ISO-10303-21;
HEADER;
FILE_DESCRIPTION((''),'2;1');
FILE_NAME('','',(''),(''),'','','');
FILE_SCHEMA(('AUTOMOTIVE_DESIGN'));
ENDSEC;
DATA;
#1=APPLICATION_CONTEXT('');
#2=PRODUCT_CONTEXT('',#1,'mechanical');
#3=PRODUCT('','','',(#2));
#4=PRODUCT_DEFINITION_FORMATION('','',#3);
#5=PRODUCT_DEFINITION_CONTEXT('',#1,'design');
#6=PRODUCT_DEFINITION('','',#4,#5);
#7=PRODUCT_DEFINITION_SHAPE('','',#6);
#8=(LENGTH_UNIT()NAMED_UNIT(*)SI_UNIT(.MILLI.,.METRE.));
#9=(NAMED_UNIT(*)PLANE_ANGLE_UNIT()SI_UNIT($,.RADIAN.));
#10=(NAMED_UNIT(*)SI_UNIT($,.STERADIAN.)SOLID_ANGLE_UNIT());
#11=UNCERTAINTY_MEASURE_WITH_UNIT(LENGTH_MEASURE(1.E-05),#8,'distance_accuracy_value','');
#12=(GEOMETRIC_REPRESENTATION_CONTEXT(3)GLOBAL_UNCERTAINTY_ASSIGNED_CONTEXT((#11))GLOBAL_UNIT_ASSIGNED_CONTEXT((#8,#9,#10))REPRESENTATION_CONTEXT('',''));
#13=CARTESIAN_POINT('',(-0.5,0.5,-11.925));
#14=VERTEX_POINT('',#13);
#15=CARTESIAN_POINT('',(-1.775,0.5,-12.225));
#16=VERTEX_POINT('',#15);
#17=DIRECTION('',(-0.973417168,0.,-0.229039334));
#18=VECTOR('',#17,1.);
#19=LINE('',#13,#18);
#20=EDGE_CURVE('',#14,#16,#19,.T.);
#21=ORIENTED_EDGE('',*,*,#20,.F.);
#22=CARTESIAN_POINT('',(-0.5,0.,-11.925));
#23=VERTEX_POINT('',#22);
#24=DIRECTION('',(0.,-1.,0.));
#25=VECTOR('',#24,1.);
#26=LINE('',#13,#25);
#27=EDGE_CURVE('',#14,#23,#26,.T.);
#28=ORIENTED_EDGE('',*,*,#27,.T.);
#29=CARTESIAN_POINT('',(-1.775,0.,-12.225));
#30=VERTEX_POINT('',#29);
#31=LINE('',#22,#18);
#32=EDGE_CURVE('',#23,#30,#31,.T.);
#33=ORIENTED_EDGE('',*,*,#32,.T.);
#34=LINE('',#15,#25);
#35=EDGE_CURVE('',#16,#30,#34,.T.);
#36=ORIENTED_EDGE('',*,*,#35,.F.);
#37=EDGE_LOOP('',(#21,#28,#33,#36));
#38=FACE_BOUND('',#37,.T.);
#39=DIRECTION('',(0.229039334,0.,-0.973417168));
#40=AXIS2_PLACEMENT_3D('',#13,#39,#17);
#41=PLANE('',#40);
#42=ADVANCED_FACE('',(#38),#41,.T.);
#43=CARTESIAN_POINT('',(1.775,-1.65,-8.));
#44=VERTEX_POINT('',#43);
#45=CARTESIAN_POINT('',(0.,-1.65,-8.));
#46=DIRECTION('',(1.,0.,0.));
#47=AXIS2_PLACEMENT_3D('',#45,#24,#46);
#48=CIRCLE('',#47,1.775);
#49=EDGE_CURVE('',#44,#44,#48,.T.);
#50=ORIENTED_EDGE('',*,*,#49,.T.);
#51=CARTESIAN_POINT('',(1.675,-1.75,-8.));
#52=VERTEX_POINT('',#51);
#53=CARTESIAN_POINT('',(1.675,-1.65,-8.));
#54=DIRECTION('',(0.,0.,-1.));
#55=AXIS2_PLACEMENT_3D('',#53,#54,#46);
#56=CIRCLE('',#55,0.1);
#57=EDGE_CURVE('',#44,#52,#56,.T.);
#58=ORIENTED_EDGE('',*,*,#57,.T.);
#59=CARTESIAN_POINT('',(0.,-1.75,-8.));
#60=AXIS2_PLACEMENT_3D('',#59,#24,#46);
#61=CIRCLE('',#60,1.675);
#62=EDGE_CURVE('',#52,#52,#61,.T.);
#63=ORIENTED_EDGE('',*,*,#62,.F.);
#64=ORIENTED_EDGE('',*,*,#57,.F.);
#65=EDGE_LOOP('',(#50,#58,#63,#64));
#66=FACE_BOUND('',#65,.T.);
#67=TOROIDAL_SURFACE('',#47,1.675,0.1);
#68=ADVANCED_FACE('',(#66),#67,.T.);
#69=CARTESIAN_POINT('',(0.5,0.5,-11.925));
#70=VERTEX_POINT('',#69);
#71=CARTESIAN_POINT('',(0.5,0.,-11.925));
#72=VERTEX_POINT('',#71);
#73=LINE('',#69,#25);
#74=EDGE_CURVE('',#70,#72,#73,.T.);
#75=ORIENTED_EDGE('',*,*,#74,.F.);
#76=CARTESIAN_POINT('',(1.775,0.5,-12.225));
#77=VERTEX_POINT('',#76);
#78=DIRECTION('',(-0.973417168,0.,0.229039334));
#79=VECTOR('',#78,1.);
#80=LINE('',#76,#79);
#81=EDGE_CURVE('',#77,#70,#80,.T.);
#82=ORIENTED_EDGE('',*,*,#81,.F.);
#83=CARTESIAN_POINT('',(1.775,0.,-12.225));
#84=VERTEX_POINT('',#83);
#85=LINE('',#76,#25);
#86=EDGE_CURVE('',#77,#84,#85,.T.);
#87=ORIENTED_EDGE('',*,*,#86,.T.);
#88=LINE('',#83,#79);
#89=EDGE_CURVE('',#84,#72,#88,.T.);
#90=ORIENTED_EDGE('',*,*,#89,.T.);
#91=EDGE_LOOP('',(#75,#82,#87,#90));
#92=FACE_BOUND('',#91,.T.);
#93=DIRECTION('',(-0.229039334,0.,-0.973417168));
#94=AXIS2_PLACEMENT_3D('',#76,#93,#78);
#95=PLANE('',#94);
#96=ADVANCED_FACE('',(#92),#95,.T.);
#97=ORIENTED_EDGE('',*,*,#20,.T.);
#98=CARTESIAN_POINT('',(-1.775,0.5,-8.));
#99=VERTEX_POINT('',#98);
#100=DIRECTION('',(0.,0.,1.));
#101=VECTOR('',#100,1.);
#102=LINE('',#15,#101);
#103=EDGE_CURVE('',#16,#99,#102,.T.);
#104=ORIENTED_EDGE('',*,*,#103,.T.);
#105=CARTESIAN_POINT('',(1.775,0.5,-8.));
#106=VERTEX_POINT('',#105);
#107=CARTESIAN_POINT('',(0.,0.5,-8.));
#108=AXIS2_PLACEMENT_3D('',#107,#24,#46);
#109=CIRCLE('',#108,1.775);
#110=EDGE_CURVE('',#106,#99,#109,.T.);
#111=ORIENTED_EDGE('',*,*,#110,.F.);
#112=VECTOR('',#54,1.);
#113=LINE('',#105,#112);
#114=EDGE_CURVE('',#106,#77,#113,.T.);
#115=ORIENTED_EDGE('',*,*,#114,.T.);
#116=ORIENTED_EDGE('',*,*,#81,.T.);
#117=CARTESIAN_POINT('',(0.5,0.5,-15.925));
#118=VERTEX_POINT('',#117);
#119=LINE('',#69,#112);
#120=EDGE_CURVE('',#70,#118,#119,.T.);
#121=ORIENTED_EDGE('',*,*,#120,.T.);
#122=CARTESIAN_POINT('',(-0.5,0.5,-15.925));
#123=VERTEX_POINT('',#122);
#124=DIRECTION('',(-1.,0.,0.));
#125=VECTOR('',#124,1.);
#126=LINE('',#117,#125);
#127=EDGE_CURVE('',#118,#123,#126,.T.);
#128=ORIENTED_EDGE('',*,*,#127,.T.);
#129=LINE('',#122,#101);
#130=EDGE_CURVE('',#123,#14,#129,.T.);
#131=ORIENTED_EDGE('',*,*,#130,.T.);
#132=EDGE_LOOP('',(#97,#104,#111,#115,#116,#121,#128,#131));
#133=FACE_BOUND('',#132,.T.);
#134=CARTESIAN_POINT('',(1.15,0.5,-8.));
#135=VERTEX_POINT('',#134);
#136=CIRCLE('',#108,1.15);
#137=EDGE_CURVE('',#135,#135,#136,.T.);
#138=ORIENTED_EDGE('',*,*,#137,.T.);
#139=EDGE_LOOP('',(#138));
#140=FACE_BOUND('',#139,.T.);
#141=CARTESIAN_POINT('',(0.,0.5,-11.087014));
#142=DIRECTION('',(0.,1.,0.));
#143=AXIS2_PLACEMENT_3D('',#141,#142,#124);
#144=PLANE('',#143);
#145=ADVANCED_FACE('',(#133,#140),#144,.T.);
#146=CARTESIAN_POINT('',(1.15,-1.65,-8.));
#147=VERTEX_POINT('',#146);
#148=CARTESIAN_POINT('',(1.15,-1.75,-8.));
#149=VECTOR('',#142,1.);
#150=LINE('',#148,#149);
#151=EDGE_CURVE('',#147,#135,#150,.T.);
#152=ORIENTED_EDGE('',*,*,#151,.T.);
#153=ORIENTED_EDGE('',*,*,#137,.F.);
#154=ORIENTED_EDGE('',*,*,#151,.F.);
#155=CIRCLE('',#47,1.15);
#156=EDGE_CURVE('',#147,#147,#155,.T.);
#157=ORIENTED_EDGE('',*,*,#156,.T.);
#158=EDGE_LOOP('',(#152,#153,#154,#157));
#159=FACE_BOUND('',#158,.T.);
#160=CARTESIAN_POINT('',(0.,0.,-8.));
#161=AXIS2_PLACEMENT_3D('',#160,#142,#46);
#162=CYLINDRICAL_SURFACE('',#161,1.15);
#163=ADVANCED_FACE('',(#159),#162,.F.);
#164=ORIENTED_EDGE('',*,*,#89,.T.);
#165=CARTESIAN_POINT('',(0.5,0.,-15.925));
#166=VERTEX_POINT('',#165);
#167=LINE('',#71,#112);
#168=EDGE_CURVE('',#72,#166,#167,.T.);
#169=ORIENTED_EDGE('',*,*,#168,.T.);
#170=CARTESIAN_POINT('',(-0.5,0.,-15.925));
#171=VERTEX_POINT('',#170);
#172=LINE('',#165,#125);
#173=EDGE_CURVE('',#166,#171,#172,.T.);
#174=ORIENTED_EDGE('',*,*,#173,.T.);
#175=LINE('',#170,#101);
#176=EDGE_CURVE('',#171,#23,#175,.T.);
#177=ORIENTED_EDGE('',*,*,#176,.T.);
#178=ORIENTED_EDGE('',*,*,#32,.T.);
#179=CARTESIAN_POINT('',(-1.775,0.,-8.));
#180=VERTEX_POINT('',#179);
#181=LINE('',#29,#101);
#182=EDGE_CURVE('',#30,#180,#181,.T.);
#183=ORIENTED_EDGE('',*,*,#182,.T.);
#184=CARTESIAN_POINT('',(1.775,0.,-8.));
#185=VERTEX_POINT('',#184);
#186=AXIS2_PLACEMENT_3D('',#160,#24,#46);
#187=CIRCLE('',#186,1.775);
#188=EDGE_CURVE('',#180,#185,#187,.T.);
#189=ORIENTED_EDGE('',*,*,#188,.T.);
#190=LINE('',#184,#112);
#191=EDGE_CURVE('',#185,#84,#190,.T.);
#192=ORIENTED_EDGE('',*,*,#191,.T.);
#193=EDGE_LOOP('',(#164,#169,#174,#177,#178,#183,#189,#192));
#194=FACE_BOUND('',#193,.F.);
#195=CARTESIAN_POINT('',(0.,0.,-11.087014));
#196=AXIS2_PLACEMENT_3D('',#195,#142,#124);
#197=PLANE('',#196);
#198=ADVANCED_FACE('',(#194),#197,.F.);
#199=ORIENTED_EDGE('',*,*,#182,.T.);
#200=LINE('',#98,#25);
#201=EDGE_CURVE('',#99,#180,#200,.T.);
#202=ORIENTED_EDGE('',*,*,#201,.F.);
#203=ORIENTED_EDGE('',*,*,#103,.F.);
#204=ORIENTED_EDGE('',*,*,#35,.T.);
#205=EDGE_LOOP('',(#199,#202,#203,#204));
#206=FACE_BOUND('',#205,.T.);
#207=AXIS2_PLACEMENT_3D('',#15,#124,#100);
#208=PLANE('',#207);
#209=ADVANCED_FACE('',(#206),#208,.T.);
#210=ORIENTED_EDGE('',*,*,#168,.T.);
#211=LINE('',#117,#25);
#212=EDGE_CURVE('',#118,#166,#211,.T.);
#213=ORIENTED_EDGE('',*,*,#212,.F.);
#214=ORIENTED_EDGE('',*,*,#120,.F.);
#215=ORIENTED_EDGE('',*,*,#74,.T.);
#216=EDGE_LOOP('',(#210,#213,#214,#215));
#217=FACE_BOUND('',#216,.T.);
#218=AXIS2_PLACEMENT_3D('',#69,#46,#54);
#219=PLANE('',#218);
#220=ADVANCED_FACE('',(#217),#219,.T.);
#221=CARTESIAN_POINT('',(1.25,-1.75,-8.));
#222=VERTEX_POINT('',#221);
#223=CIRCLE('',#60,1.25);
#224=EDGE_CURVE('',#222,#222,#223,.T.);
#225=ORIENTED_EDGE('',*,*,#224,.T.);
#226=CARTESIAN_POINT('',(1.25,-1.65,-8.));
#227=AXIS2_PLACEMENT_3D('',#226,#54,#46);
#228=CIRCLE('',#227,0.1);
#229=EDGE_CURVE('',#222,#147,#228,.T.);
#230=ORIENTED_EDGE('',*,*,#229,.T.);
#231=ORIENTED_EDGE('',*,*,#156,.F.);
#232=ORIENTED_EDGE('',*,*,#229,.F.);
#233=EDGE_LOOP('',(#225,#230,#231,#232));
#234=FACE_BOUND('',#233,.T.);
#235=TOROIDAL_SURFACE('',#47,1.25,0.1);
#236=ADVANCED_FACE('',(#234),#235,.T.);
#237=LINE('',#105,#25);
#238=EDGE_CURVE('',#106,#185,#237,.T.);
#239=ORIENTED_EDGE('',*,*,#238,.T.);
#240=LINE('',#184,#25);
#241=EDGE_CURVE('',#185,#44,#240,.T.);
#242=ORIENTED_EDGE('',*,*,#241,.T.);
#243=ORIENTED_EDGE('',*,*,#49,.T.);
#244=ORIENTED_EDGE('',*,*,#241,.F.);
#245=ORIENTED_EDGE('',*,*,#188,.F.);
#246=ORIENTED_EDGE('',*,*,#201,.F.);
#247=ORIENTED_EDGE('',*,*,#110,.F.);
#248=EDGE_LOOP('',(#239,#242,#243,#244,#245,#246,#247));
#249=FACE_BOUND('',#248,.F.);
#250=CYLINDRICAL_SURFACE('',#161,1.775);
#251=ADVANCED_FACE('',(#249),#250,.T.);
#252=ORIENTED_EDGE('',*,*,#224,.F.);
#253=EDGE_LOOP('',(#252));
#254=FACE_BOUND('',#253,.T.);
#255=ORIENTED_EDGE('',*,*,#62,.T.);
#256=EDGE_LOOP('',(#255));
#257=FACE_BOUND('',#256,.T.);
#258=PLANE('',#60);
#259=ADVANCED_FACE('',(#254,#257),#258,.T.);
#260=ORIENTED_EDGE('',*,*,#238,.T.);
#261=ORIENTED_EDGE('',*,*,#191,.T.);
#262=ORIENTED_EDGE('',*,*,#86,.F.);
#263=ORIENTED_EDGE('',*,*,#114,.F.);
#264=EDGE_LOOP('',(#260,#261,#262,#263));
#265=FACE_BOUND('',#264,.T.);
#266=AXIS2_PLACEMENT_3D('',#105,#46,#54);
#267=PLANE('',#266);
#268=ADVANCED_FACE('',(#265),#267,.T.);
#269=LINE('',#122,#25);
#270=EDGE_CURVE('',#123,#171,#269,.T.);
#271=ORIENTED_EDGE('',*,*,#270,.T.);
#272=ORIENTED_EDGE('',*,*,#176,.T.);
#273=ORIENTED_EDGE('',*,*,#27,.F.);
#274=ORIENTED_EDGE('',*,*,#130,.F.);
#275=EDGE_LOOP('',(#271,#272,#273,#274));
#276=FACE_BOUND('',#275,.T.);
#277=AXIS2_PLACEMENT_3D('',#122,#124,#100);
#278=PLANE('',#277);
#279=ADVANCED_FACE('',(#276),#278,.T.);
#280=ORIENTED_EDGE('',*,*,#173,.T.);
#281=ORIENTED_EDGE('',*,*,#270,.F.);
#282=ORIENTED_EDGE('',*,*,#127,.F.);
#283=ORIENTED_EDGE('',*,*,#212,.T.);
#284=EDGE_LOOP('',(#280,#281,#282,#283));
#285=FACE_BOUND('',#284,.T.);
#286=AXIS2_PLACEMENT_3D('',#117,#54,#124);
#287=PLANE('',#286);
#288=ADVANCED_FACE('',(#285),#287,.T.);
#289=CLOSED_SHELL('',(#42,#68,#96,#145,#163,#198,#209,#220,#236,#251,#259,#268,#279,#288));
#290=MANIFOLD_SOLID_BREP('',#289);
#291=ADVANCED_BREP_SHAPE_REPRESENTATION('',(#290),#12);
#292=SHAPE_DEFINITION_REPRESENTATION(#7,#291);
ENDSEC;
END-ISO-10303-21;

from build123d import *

# Parameters (mm, degrees)
SKETCH005_R   = 1.15
PAD004_DEPTH  = 0.5
SKETCH006_R   = 1.775
SKETCH006_R_2 = 1.15
PAD005_DEPTH  = 1.75
FILLET002_R   = 0.1


with BuildPart() as part:
    # Sketch005 → Pad004 (new body)
    with BuildSketch(Plane.XZ):
        with BuildLine():
            Line((1.775, 0), (1.775, -4.225))
            Line((1.775, -4.225), (0.5, -3.925))
            Line((0.5, -3.925), (0.5, -7.925))
            Line((0.5, -7.925), (-0.5, -7.925))
            Line((-0.5, -7.925), (-0.5, -3.925))
            Line((-0.5, -3.925), (-1.775, -4.225))
            Line((-1.775, -4.225), (-1.775, 0))
            ThreePointArc((1.775, 0), (0, 1.775), (-1.775, 0))
        make_face()
        Circle(SKETCH005_R, mode=Mode.SUBTRACT)
    extrude(amount=PAD004_DEPTH)

    # Sketch006 (on Face11 of Pad004) → Pad005 (join)
    with BuildSketch(Plane.XZ.offset(0.5)):
        Circle(SKETCH006_R)
        Circle(SKETCH006_R_2, mode=Mode.SUBTRACT)
    extrude(amount=PAD005_DEPTH)

    # Fillet002
    fillet002_edges = [part.edges().sort_by_distance(p)[0] for p in [
        (-1.775, -2.25, 0),
        (-1.15, -2.25, 0),
    ]]
    fillet(fillet002_edges, radius=FILLET002_R)


with BuildPart() as part_1:
    # Body003 placement: moved
    add(part.part.moved(Location((0, 0.5, -8))))


solid = part_1.part
